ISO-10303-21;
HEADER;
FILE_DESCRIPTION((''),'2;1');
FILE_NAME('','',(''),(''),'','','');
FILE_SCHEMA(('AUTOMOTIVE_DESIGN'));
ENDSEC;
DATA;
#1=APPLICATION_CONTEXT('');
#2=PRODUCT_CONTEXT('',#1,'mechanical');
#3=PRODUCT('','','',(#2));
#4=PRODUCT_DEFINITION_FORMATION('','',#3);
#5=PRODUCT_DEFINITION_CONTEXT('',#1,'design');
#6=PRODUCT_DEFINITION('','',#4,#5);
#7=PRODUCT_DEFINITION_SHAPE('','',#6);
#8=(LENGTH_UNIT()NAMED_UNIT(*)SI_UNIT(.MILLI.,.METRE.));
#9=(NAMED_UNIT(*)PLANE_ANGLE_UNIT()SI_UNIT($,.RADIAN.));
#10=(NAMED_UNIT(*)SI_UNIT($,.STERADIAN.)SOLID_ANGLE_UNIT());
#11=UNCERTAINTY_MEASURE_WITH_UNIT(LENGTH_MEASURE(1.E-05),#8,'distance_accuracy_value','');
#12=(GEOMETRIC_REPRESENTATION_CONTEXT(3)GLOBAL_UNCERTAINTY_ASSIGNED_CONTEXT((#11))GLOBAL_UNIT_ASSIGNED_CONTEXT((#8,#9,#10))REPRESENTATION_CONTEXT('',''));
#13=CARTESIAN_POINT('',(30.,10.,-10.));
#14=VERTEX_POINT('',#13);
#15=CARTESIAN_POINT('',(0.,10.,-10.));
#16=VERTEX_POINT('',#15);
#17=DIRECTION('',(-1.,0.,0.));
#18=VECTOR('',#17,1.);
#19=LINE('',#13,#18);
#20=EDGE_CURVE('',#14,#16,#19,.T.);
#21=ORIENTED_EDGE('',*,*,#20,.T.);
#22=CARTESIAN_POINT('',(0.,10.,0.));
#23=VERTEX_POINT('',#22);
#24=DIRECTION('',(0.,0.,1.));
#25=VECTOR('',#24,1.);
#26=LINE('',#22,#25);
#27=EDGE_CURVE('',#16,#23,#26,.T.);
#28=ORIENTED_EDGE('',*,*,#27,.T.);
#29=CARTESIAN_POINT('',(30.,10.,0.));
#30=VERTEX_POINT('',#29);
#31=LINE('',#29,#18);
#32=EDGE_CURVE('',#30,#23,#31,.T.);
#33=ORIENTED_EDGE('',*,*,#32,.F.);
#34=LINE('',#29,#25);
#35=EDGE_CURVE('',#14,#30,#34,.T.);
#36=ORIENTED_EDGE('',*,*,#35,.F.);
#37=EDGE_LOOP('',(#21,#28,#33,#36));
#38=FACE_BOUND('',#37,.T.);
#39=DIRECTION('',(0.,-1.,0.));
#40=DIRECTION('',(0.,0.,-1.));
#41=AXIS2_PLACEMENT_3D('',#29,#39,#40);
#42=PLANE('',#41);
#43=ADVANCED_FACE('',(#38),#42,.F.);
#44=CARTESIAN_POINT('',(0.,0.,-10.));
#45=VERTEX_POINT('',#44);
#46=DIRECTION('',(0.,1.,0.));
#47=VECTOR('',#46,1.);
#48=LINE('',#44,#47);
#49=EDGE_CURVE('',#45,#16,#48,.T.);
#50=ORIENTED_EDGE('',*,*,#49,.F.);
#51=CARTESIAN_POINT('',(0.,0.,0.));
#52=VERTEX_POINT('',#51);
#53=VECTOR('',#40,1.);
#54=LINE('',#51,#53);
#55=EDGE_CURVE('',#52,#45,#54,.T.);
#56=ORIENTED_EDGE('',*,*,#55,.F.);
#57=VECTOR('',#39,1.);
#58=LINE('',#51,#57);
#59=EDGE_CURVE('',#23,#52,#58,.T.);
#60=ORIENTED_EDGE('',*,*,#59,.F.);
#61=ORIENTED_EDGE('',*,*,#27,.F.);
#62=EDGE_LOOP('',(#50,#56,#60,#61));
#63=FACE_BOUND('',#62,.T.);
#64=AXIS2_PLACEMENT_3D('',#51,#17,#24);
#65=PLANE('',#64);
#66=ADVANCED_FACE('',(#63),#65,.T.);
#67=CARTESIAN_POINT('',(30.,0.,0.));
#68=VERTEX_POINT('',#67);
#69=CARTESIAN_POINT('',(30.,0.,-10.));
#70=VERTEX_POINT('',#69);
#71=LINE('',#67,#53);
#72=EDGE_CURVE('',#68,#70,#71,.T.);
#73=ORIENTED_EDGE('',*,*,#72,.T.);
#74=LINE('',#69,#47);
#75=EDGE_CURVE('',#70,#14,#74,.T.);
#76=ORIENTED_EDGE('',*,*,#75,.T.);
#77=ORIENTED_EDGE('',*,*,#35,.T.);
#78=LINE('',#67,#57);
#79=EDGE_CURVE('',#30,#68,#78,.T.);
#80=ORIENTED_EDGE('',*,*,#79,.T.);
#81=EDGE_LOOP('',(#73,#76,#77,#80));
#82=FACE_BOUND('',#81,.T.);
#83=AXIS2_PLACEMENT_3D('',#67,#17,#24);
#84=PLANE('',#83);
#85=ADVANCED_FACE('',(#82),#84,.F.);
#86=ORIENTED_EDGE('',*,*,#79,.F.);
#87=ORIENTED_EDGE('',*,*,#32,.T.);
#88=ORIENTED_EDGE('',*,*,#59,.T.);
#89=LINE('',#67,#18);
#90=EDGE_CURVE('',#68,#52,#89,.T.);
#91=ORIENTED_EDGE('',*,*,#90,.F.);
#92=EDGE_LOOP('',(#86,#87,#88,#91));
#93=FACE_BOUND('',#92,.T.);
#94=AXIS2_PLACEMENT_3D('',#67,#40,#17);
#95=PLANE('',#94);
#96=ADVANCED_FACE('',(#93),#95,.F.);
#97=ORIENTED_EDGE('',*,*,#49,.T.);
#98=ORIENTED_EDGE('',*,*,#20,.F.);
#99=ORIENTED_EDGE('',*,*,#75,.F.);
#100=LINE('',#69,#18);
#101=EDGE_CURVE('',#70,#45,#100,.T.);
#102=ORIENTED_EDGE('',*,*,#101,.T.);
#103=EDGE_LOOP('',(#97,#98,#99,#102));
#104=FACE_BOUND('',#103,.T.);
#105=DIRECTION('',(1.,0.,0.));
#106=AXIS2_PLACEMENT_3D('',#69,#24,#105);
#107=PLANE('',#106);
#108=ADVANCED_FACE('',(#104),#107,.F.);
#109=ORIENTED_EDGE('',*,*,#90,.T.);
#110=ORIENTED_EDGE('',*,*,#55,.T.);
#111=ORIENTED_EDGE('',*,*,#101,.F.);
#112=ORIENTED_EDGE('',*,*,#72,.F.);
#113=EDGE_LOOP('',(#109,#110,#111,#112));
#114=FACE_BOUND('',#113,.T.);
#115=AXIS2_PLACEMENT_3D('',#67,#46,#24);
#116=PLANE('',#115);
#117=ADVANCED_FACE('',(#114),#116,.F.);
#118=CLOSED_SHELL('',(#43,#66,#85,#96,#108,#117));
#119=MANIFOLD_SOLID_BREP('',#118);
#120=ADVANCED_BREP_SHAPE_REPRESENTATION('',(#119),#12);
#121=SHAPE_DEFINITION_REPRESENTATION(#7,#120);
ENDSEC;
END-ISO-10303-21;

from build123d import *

# Parameters (mm, degrees)
SKETCH_1_W      = 10
SKETCH_1_H      = 10
EXTRUDE_1_DEPTH = 30


with BuildPart() as part:
    # Эскиз1 → Бобышка-Вытянуть1 (new body)
    with BuildSketch(Plane(origin=(0, 0, 0), x_dir=(0, 0, -1), z_dir=(1, 0, 0))):
        with Locations((5, 5)):
            Rectangle(SKETCH_1_W, SKETCH_1_H)
    extrude(amount=EXTRUDE_1_DEPTH)


solid = part.part
